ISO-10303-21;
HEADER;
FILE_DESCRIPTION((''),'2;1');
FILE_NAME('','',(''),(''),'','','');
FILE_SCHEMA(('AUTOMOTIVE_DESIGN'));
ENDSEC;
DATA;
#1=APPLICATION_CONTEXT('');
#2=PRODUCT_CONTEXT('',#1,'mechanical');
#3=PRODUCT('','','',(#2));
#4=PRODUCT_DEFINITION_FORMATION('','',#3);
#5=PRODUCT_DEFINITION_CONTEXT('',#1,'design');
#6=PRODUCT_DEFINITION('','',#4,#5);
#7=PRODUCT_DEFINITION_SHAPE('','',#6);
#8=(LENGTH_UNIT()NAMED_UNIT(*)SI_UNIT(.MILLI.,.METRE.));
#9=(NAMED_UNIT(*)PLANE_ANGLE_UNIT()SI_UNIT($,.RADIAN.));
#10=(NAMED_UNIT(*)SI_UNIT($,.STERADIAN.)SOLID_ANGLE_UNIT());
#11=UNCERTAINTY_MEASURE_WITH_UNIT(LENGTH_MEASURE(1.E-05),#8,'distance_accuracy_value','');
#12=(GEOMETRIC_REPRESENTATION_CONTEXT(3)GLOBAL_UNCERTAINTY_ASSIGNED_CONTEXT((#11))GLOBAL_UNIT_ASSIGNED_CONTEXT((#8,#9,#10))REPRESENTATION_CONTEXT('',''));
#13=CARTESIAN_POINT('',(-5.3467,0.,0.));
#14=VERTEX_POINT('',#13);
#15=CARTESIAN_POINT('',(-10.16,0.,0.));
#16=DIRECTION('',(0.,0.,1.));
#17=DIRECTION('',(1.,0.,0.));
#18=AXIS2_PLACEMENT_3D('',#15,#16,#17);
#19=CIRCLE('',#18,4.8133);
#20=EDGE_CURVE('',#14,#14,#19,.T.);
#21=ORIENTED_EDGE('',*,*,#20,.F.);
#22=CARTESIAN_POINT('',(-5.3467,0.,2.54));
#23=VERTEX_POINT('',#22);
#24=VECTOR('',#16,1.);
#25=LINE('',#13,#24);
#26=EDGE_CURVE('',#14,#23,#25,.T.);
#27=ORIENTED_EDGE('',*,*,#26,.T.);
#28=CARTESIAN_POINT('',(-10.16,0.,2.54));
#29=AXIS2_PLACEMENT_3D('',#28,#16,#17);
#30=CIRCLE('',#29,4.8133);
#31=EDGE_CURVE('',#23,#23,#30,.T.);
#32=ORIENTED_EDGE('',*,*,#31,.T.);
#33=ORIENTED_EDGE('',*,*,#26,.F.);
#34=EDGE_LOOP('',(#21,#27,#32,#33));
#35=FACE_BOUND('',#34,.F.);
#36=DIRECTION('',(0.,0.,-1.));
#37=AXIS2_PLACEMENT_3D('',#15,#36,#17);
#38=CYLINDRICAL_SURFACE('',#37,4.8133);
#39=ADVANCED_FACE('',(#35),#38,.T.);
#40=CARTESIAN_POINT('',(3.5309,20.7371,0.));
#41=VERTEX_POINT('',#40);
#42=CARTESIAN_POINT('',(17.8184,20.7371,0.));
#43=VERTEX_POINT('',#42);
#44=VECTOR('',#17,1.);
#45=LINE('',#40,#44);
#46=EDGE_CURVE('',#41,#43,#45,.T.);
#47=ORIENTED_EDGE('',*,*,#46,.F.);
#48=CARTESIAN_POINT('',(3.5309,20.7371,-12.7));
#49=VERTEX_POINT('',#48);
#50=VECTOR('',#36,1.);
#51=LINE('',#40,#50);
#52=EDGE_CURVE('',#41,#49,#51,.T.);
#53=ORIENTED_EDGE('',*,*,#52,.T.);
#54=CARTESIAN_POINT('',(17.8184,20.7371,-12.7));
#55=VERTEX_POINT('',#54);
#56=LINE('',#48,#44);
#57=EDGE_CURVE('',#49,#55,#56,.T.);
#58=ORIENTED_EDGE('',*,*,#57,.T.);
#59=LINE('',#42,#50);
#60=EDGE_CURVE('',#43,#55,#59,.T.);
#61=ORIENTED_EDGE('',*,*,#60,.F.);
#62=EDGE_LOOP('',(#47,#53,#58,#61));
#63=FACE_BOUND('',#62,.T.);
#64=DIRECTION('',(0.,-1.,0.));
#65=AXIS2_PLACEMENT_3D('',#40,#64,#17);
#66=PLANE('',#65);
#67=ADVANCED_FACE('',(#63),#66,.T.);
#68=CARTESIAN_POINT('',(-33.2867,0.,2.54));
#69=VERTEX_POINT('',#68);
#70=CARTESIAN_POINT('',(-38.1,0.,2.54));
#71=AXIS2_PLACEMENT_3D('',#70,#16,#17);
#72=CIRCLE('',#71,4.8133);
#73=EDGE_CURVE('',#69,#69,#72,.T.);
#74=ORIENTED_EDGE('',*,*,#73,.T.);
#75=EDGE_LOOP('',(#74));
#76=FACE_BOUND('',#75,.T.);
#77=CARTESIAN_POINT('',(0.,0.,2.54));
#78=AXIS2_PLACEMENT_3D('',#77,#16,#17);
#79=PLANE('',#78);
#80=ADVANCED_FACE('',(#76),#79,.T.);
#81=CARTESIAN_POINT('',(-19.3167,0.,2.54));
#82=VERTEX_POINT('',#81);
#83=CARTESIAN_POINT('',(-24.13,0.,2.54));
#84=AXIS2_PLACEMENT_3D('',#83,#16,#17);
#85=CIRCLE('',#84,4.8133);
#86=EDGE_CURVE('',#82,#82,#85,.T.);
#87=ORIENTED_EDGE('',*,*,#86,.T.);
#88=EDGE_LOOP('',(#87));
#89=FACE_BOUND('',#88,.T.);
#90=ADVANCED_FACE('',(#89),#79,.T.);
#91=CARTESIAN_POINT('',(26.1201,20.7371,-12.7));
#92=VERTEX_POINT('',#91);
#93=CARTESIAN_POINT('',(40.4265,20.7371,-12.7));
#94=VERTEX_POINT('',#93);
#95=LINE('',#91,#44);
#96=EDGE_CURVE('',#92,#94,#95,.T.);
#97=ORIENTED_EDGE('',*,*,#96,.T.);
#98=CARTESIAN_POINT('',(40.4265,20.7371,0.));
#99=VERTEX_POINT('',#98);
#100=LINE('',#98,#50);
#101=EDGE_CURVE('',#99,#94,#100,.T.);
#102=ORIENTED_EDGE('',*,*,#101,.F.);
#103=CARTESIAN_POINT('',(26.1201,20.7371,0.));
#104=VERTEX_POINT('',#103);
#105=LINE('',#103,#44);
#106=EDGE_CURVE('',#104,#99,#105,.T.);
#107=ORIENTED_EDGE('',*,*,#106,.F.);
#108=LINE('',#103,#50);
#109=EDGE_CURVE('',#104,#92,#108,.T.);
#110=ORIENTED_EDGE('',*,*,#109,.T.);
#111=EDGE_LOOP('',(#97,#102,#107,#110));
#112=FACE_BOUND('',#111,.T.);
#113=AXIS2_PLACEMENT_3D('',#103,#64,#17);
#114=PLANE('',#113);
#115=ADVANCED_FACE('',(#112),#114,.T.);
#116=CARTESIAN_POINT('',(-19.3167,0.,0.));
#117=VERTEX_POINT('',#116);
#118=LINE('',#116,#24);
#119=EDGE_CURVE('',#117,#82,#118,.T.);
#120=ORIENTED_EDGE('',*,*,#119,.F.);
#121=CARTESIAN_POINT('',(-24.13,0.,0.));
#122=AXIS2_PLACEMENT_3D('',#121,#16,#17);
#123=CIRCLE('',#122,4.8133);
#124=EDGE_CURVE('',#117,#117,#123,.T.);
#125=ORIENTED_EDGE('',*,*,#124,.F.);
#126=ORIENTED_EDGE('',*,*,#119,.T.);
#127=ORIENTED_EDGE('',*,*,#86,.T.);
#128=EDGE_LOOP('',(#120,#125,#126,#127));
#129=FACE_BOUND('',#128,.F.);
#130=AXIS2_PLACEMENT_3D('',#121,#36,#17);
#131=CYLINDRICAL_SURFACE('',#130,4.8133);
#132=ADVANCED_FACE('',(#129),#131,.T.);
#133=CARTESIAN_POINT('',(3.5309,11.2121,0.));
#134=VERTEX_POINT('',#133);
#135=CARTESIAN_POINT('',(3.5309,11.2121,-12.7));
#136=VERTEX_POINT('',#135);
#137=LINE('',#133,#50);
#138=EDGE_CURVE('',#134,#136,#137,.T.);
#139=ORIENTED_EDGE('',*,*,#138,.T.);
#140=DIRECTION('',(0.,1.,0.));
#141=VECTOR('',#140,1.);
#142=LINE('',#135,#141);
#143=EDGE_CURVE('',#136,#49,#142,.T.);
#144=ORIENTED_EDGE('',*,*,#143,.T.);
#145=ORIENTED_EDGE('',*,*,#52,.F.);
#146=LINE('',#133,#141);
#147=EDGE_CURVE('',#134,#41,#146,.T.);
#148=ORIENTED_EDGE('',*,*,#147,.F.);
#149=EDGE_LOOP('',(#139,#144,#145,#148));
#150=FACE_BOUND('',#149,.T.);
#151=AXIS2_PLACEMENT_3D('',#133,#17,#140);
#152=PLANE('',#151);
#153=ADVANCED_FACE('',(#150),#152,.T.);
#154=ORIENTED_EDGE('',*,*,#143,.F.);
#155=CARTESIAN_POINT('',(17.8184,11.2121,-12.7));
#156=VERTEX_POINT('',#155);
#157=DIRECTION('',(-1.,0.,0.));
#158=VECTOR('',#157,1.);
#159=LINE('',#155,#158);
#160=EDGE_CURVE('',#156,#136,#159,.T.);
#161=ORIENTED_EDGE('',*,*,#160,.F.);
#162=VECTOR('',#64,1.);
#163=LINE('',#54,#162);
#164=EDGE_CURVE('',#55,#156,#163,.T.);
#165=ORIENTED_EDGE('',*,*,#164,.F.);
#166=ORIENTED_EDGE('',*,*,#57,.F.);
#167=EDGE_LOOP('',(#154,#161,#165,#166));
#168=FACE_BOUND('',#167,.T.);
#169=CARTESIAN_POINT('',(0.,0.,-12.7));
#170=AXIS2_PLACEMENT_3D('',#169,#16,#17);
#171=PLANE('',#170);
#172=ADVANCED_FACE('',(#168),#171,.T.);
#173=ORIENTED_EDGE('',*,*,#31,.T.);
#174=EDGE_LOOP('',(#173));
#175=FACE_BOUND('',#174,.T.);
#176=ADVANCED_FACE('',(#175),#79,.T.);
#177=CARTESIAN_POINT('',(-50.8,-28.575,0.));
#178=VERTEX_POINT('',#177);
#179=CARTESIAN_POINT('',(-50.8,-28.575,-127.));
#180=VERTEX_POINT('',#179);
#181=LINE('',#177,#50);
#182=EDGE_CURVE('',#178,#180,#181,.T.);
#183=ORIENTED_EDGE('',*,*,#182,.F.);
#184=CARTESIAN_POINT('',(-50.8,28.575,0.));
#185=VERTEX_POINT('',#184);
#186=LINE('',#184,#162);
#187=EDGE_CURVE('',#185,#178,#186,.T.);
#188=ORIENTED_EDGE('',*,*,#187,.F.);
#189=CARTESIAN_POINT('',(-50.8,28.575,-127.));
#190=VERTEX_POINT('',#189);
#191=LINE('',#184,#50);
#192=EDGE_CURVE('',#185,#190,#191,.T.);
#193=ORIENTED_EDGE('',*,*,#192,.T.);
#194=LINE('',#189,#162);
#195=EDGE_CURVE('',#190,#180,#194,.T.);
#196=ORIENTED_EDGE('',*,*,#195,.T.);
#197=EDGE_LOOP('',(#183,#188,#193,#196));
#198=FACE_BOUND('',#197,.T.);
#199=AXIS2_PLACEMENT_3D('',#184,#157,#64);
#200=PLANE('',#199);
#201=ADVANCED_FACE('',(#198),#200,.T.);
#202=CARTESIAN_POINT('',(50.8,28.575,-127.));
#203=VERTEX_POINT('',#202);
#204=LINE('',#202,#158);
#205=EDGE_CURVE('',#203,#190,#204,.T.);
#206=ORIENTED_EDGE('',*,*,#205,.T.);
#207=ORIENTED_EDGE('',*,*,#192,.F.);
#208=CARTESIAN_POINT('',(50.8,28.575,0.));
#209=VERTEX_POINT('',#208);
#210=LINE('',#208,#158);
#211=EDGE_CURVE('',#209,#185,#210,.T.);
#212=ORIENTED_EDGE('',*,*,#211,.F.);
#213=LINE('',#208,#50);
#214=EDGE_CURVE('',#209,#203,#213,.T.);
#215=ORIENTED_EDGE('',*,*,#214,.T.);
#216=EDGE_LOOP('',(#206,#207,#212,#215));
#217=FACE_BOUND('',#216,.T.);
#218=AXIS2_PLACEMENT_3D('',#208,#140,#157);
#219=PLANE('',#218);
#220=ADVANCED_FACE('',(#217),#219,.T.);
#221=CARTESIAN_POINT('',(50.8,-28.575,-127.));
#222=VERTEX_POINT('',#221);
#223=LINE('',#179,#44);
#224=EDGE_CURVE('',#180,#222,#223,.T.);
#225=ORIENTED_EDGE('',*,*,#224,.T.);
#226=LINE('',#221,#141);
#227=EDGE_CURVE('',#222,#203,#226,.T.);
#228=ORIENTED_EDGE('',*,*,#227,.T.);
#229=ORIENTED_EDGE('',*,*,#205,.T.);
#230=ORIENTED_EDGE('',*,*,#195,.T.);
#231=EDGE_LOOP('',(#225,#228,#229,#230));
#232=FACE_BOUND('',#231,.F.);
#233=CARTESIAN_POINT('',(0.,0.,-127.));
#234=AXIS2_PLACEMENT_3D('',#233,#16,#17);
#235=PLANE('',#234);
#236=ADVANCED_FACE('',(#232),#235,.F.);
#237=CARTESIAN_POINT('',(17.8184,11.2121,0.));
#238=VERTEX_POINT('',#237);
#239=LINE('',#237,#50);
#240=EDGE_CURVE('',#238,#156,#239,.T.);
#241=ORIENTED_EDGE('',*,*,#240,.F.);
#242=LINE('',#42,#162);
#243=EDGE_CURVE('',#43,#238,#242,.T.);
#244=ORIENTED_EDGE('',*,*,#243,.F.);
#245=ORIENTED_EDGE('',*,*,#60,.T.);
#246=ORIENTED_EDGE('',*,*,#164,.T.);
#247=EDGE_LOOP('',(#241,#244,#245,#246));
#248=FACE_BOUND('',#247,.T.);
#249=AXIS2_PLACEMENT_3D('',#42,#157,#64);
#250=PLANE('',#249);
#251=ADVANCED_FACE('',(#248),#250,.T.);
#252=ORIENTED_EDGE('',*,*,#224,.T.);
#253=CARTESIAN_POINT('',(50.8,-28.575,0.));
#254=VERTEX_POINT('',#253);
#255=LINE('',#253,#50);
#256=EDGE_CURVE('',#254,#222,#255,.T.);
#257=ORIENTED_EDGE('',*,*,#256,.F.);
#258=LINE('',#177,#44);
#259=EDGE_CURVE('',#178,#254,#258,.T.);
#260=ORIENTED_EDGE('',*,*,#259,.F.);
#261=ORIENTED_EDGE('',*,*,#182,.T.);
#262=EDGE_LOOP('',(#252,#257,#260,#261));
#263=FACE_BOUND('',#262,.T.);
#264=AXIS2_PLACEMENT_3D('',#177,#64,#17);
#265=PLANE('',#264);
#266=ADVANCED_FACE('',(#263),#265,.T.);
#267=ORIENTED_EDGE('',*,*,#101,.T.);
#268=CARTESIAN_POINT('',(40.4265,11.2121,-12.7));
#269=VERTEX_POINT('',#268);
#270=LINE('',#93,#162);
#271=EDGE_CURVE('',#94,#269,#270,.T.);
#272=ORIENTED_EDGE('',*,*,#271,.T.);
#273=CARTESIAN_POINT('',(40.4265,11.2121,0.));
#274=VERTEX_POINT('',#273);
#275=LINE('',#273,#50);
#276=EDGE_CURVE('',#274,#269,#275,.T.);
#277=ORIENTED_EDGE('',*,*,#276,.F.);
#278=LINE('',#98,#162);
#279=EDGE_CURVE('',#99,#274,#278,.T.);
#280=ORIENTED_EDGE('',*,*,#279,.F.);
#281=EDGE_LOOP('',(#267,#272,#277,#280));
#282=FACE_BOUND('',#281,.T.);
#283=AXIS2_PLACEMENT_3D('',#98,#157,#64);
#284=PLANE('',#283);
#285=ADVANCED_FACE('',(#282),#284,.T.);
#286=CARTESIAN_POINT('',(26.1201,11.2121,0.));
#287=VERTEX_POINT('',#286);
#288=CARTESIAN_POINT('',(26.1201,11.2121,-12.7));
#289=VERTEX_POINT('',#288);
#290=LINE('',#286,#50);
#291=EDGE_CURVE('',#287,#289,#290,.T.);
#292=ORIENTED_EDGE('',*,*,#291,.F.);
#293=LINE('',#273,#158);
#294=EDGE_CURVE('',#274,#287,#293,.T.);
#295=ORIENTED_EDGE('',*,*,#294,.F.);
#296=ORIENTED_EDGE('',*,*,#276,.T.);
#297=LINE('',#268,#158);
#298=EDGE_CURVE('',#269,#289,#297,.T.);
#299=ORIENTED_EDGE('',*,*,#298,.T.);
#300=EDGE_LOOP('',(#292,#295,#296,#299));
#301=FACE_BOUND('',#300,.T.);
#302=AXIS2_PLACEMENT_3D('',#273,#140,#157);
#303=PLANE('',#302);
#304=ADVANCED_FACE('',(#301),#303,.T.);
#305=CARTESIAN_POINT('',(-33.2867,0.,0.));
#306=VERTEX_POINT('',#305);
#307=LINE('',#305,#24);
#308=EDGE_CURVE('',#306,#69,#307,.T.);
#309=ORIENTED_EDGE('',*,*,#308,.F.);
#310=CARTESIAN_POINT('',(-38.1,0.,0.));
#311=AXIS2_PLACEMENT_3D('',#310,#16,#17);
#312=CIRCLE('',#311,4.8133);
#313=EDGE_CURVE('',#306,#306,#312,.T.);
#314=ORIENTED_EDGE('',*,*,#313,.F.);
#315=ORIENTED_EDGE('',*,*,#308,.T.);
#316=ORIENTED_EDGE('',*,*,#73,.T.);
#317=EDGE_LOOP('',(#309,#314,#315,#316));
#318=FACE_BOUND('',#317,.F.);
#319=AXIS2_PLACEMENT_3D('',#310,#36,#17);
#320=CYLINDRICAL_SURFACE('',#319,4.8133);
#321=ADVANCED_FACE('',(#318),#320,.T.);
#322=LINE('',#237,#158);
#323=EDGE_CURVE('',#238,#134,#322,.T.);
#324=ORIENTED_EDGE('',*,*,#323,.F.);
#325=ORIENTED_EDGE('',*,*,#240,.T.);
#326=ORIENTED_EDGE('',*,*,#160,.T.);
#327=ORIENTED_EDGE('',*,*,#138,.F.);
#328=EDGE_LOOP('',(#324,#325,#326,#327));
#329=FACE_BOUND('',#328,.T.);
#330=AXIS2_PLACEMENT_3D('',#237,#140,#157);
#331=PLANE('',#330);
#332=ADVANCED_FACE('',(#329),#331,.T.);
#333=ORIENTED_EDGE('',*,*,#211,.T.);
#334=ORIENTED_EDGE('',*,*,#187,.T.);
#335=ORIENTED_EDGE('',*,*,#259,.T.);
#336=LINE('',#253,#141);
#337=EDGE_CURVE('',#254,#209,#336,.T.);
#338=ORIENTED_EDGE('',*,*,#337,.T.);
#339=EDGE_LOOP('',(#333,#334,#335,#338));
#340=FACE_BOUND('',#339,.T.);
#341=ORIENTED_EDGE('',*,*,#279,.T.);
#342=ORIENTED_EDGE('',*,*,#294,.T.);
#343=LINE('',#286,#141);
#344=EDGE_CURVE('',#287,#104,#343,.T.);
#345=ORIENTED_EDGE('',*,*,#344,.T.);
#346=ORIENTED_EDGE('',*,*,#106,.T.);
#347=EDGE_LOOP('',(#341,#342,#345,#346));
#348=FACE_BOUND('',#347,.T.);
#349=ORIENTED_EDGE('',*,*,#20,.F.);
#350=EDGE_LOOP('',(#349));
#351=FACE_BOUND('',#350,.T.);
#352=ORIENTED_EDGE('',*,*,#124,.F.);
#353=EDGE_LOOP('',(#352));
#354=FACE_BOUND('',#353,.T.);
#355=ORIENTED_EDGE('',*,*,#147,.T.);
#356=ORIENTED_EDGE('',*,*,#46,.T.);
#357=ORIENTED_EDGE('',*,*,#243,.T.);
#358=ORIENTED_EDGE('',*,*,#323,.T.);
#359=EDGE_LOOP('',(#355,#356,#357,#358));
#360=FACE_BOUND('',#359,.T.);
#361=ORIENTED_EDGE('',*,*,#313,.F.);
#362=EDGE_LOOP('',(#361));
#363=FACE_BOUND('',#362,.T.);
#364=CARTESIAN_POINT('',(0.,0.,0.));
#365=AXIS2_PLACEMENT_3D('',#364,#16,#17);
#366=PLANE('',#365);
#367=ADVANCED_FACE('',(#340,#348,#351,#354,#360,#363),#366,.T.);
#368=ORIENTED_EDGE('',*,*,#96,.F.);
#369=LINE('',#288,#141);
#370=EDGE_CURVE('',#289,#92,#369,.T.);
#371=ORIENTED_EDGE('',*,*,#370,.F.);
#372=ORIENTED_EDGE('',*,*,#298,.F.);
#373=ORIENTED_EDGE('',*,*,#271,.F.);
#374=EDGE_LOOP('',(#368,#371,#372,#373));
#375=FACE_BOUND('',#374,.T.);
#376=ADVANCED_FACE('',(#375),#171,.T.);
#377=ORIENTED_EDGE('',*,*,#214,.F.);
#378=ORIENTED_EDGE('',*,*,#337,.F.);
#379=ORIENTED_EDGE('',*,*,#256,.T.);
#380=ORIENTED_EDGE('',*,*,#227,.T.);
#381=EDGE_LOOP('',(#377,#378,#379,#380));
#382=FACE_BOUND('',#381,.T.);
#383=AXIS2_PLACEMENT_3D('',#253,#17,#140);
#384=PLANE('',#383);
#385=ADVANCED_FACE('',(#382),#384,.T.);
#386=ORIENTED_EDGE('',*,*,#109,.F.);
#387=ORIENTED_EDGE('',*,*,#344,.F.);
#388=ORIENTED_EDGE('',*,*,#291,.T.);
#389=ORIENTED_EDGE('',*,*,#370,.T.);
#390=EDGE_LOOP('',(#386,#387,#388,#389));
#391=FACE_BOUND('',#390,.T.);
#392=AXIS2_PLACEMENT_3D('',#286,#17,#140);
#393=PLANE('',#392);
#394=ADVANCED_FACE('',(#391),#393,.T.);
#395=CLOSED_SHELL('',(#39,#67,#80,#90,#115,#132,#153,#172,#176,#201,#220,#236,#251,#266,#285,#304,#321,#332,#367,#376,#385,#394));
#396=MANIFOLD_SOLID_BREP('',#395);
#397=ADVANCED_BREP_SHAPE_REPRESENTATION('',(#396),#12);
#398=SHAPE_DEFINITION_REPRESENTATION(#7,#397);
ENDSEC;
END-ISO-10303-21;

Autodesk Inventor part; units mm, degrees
ref_plane "YZ Plane" through (0, 0, 0) normal (1, 0, 0) x (0, 1, 0)
ref_plane "XZ Plane" through (0, 0, 0) normal (0, 1, 0) x (-1, 0, 0)
ref_plane "XY Plane" through (0, 0, 0) normal (0, 0, 1) x (1, 0, 0)
sketch "Sketch1" plane through (0, 0, 0) normal (0, 0, 1) x (1, 0, 0)
  line L0 (-50.8, -28.575) -> (50.8, -28.575)
  line L1 (50.8, -28.575) -> (50.8, 28.575)
  line L2 (50.8, 28.575) -> (-50.8, 28.575)
  line L3 (-50.8, 28.575) -> (-50.8, -28.575)
  line L4 (-50.8, -28.575) -> (50.8, 28.575) construction
  line L5 (50.8, -28.575) -> (-50.8, 28.575) construction
  point P0 (0, 0)
  dimension "d0" = 101.6
  dimension "d1" = 57.15
extrude "WR-LEN" add sketch "Sketch1" against normal blind 127
sketch "Sketch2" plane through (0, 0, 0) normal (0, 0, 1) x (1, 0, 0)
  line L0 (3.5309, 20.7371) -> (17.8184, 20.7371)
  line L1 (17.8184, 20.7371) -> (17.8184, 11.2121)
  line L2 (17.8184, 11.2121) -> (3.5309, 11.2121)
  line L3 (3.5309, 11.2121) -> (3.5309, 20.7371)
  line L4 (3.5309, 20.7371) -> (17.8184, 11.2121) construction
  line L5 (17.8184, 20.7371) -> (3.5309, 11.2121) construction
  line L6 (26.1201, 20.7371) -> (40.4265, 20.7371)
  line L7 (40.4265, 20.7371) -> (40.4265, 11.2121)
  line L8 (40.4265, 11.2121) -> (26.1201, 11.2121)
  line L9 (26.1201, 11.2121) -> (26.1201, 20.7371)
  point P0 (0, 0)
  point P1 (10.6746, 15.9746)
  dimension "d4" = 9.525
  dimension "d5" = 14.2875
extrude "sfp ports" cut sketch "Sketch2" against normal blind 12.7
sketch "Sketch3" plane through (0, 0, 0) normal (0, 0, 1) x (1, 0, 0)
  circle A0 centre (-38.1, 0) radius 4.8133
  line L0 (-50.8, 28.575) -> (-50.8, -28.575) projected
  line L1 (50.8, 28.575) -> (-50.8, 28.575) projected
  circle A1 centre (-24.13, 0) radius 4.8133
  circle A2 centre (-10.16, 0) radius 4.8133
  point P0 (0, 0)
  dimension "d9" = 9.6266
  dimension "d10" = 12.7
  dimension "d11" = 28.575
  dimension "d14" = 13.97
extrude "Extrusion3" add sketch "Sketch3" along normal blind 2.54
properties part number "WR_LEN"
